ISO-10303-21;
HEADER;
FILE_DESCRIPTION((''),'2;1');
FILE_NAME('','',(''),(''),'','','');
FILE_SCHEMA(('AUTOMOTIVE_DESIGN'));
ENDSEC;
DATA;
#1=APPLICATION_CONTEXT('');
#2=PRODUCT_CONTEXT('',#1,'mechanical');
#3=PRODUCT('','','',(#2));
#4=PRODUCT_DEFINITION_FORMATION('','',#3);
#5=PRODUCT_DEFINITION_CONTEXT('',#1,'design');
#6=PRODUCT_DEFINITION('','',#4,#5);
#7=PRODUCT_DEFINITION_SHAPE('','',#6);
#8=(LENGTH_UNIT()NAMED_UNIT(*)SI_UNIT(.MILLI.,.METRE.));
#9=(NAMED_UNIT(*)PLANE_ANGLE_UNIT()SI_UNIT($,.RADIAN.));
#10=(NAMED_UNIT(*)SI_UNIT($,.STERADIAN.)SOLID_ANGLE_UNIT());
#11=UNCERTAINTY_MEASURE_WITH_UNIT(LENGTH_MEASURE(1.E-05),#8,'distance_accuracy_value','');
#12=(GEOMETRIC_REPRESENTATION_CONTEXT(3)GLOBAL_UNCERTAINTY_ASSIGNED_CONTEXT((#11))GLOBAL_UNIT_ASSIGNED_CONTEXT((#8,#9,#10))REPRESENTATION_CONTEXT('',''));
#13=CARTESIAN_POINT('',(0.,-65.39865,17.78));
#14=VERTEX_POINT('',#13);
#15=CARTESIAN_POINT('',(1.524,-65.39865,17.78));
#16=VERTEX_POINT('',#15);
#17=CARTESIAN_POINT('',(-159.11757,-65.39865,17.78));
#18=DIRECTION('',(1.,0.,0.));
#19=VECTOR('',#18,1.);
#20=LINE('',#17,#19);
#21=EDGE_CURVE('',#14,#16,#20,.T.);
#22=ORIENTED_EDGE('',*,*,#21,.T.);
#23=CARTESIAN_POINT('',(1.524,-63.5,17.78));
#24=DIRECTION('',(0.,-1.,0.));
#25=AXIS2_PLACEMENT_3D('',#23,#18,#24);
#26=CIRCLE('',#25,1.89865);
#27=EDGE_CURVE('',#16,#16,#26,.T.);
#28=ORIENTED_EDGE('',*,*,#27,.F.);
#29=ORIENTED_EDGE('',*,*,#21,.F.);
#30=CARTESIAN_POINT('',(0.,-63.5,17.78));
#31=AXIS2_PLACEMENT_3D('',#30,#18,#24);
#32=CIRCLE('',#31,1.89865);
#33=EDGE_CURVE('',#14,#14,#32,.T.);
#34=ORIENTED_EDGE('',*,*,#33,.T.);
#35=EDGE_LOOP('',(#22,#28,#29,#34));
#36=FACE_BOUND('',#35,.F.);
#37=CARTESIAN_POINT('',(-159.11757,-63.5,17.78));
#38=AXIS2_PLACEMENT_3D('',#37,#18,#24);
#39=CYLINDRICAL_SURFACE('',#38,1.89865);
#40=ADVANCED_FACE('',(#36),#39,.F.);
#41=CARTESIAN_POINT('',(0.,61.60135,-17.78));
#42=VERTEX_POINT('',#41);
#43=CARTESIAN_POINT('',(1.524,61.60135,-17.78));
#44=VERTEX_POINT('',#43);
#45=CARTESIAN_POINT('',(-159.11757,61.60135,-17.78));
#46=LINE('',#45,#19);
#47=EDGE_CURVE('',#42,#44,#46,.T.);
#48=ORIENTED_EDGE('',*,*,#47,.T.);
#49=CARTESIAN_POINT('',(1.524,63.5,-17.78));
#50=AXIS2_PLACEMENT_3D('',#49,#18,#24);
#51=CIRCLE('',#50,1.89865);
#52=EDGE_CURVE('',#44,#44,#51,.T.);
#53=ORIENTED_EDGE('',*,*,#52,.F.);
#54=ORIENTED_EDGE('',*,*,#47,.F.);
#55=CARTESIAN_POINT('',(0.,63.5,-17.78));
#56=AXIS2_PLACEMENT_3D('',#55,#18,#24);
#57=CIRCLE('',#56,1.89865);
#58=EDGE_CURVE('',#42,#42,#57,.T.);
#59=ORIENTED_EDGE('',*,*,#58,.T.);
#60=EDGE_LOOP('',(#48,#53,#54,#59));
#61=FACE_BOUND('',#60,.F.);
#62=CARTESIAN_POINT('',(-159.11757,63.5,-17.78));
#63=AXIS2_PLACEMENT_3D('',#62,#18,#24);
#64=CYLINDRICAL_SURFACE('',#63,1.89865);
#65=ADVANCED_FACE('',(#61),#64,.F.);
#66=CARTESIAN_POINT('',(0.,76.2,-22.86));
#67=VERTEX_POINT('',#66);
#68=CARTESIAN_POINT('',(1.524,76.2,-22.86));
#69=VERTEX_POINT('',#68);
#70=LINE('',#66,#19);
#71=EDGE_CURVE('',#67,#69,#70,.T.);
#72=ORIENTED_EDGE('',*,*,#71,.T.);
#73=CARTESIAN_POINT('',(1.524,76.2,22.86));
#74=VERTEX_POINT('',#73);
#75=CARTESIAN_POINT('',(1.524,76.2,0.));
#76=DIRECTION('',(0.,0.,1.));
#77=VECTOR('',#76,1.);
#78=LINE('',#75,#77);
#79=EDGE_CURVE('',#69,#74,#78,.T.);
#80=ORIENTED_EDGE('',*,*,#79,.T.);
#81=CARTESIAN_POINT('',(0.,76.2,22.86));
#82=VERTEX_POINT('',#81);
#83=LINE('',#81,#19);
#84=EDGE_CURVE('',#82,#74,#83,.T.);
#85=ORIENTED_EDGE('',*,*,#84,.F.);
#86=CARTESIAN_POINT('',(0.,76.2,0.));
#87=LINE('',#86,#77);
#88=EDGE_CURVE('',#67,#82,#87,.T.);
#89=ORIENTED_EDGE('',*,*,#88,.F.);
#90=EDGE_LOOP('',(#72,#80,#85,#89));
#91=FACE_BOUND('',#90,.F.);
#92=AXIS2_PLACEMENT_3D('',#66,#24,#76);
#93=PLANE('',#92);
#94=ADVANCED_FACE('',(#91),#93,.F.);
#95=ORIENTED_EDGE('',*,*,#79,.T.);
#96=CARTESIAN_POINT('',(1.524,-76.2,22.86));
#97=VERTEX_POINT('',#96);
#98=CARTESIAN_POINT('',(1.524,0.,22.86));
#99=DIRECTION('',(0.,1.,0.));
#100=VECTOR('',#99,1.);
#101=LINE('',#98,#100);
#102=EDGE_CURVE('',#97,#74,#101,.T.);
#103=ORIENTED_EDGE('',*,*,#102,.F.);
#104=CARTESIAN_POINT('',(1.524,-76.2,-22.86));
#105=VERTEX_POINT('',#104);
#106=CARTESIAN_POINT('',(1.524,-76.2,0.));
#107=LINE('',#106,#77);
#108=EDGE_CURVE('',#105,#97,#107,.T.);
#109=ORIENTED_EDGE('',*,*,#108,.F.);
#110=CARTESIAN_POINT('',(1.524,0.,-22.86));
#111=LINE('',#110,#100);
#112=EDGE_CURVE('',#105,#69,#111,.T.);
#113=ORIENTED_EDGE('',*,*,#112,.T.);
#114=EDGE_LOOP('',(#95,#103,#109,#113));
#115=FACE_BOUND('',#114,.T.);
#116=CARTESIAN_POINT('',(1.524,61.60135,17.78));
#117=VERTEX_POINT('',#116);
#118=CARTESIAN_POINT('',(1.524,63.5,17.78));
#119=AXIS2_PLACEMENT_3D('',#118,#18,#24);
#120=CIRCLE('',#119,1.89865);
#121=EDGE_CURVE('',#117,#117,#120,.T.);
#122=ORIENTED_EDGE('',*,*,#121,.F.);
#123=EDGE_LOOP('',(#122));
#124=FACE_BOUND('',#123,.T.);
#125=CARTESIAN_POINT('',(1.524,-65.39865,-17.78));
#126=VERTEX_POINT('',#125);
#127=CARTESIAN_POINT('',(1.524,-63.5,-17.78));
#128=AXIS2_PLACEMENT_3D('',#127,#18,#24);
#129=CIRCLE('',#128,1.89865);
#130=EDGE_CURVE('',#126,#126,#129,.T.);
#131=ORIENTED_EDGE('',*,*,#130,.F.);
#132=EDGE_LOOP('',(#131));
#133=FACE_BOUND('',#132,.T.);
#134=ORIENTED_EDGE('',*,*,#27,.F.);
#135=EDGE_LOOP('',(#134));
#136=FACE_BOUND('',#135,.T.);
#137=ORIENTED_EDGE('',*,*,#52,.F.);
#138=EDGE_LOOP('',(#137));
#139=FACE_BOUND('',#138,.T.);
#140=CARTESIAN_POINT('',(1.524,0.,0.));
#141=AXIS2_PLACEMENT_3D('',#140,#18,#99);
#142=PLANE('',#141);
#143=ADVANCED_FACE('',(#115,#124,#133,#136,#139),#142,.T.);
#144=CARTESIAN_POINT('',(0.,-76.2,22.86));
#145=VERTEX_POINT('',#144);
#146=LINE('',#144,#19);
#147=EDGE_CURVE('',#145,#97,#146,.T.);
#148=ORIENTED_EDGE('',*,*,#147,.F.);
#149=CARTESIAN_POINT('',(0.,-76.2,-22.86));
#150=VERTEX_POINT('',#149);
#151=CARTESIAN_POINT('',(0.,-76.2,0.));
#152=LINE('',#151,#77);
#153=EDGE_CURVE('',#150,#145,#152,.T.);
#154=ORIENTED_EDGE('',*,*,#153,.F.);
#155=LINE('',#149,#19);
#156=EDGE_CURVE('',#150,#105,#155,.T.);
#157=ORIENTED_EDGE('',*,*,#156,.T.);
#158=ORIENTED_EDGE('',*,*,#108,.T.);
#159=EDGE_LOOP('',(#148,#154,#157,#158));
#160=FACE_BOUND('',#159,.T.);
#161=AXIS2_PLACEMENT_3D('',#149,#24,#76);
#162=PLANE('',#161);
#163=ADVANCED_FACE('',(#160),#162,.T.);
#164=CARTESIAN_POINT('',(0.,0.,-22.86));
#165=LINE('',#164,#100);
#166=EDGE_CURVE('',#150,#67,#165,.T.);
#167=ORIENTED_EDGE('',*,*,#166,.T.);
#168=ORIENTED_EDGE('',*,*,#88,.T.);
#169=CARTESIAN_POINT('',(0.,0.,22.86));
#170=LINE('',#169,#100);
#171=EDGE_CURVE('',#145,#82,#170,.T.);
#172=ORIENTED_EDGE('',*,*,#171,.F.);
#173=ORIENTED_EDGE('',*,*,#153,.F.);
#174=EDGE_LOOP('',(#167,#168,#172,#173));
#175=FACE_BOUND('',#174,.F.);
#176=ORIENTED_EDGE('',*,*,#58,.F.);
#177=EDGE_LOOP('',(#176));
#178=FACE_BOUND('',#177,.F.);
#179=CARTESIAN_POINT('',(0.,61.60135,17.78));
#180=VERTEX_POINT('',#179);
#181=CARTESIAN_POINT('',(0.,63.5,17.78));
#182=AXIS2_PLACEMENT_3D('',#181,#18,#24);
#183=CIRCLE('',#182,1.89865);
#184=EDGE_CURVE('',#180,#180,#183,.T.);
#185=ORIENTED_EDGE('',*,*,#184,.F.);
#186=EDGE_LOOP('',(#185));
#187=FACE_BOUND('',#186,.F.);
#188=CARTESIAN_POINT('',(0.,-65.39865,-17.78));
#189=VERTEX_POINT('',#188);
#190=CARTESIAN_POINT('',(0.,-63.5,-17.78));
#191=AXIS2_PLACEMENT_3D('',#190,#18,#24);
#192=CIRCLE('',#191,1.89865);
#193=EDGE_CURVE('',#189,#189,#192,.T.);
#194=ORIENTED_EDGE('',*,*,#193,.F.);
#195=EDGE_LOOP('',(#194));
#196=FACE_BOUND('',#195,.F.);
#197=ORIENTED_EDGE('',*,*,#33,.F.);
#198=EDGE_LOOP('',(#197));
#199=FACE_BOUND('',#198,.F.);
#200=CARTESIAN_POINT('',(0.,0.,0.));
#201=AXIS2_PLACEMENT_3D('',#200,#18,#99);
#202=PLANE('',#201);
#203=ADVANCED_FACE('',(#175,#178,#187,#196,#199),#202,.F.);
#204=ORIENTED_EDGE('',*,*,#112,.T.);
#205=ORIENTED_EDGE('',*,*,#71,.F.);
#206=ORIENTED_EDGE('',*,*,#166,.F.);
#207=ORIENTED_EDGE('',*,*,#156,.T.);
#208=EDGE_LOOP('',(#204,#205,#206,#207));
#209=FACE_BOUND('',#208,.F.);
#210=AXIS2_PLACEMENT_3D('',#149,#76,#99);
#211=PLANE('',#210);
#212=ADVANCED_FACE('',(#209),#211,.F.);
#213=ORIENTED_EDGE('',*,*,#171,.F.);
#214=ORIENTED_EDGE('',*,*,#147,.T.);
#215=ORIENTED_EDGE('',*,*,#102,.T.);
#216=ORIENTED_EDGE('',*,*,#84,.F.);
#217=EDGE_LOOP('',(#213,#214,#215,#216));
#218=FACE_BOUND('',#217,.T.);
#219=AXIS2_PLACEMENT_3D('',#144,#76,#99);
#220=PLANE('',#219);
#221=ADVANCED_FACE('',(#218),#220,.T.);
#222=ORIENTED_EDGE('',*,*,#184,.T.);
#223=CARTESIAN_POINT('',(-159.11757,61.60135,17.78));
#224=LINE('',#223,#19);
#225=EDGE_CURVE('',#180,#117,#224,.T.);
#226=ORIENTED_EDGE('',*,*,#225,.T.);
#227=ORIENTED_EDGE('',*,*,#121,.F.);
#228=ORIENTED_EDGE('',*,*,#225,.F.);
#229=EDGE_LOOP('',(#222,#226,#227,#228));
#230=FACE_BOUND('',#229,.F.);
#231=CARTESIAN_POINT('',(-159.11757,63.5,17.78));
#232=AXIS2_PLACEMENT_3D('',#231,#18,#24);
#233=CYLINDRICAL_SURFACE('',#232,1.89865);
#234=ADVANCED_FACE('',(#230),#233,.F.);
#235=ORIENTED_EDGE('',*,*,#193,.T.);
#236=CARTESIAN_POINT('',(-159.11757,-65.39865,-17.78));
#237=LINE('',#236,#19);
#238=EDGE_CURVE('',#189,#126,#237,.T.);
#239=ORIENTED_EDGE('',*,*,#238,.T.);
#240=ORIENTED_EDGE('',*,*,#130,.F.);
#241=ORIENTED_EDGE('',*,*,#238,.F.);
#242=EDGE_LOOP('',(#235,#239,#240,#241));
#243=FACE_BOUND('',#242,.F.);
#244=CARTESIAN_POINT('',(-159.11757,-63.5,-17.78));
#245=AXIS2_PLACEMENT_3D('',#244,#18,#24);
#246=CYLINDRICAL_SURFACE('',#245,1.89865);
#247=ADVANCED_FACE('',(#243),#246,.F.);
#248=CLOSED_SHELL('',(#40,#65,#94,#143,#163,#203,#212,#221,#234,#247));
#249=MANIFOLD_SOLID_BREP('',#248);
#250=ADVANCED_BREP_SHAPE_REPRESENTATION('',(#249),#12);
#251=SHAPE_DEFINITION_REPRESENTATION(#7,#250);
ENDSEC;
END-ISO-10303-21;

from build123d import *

# Parameters (mm, degrees)
F0_W     = 152.4
F0_H     = 45.72
F0_W_2   = 127
F0_H_2   = 35.56
F1_DEPTH = 1.524
F2_D     = 3.7973


with BuildPart() as f1:
    # F0 (on Right) → F1 (new body)
    with BuildSketch(Plane.YZ):
        Rectangle(F0_W, F0_H)
        Rectangle(F0_W_2, F0_H_2, mode=Mode.SUBTRACT)
        Rectangle(F0_W_2, F0_H_2)
    extrude(amount=F1_DEPTH)

    # F2 (through all)
    with Locations(Plane(origin=(0, 0, 0), x_dir=(0, 1, 0), z_dir=(-1, 0, 0))):
        with Locations((-63.5, -17.78), (63.5, -17.78), (63.5, 17.78), (-63.5, 17.78)):
            Hole(F2_D / 2)


solid = f1.part
